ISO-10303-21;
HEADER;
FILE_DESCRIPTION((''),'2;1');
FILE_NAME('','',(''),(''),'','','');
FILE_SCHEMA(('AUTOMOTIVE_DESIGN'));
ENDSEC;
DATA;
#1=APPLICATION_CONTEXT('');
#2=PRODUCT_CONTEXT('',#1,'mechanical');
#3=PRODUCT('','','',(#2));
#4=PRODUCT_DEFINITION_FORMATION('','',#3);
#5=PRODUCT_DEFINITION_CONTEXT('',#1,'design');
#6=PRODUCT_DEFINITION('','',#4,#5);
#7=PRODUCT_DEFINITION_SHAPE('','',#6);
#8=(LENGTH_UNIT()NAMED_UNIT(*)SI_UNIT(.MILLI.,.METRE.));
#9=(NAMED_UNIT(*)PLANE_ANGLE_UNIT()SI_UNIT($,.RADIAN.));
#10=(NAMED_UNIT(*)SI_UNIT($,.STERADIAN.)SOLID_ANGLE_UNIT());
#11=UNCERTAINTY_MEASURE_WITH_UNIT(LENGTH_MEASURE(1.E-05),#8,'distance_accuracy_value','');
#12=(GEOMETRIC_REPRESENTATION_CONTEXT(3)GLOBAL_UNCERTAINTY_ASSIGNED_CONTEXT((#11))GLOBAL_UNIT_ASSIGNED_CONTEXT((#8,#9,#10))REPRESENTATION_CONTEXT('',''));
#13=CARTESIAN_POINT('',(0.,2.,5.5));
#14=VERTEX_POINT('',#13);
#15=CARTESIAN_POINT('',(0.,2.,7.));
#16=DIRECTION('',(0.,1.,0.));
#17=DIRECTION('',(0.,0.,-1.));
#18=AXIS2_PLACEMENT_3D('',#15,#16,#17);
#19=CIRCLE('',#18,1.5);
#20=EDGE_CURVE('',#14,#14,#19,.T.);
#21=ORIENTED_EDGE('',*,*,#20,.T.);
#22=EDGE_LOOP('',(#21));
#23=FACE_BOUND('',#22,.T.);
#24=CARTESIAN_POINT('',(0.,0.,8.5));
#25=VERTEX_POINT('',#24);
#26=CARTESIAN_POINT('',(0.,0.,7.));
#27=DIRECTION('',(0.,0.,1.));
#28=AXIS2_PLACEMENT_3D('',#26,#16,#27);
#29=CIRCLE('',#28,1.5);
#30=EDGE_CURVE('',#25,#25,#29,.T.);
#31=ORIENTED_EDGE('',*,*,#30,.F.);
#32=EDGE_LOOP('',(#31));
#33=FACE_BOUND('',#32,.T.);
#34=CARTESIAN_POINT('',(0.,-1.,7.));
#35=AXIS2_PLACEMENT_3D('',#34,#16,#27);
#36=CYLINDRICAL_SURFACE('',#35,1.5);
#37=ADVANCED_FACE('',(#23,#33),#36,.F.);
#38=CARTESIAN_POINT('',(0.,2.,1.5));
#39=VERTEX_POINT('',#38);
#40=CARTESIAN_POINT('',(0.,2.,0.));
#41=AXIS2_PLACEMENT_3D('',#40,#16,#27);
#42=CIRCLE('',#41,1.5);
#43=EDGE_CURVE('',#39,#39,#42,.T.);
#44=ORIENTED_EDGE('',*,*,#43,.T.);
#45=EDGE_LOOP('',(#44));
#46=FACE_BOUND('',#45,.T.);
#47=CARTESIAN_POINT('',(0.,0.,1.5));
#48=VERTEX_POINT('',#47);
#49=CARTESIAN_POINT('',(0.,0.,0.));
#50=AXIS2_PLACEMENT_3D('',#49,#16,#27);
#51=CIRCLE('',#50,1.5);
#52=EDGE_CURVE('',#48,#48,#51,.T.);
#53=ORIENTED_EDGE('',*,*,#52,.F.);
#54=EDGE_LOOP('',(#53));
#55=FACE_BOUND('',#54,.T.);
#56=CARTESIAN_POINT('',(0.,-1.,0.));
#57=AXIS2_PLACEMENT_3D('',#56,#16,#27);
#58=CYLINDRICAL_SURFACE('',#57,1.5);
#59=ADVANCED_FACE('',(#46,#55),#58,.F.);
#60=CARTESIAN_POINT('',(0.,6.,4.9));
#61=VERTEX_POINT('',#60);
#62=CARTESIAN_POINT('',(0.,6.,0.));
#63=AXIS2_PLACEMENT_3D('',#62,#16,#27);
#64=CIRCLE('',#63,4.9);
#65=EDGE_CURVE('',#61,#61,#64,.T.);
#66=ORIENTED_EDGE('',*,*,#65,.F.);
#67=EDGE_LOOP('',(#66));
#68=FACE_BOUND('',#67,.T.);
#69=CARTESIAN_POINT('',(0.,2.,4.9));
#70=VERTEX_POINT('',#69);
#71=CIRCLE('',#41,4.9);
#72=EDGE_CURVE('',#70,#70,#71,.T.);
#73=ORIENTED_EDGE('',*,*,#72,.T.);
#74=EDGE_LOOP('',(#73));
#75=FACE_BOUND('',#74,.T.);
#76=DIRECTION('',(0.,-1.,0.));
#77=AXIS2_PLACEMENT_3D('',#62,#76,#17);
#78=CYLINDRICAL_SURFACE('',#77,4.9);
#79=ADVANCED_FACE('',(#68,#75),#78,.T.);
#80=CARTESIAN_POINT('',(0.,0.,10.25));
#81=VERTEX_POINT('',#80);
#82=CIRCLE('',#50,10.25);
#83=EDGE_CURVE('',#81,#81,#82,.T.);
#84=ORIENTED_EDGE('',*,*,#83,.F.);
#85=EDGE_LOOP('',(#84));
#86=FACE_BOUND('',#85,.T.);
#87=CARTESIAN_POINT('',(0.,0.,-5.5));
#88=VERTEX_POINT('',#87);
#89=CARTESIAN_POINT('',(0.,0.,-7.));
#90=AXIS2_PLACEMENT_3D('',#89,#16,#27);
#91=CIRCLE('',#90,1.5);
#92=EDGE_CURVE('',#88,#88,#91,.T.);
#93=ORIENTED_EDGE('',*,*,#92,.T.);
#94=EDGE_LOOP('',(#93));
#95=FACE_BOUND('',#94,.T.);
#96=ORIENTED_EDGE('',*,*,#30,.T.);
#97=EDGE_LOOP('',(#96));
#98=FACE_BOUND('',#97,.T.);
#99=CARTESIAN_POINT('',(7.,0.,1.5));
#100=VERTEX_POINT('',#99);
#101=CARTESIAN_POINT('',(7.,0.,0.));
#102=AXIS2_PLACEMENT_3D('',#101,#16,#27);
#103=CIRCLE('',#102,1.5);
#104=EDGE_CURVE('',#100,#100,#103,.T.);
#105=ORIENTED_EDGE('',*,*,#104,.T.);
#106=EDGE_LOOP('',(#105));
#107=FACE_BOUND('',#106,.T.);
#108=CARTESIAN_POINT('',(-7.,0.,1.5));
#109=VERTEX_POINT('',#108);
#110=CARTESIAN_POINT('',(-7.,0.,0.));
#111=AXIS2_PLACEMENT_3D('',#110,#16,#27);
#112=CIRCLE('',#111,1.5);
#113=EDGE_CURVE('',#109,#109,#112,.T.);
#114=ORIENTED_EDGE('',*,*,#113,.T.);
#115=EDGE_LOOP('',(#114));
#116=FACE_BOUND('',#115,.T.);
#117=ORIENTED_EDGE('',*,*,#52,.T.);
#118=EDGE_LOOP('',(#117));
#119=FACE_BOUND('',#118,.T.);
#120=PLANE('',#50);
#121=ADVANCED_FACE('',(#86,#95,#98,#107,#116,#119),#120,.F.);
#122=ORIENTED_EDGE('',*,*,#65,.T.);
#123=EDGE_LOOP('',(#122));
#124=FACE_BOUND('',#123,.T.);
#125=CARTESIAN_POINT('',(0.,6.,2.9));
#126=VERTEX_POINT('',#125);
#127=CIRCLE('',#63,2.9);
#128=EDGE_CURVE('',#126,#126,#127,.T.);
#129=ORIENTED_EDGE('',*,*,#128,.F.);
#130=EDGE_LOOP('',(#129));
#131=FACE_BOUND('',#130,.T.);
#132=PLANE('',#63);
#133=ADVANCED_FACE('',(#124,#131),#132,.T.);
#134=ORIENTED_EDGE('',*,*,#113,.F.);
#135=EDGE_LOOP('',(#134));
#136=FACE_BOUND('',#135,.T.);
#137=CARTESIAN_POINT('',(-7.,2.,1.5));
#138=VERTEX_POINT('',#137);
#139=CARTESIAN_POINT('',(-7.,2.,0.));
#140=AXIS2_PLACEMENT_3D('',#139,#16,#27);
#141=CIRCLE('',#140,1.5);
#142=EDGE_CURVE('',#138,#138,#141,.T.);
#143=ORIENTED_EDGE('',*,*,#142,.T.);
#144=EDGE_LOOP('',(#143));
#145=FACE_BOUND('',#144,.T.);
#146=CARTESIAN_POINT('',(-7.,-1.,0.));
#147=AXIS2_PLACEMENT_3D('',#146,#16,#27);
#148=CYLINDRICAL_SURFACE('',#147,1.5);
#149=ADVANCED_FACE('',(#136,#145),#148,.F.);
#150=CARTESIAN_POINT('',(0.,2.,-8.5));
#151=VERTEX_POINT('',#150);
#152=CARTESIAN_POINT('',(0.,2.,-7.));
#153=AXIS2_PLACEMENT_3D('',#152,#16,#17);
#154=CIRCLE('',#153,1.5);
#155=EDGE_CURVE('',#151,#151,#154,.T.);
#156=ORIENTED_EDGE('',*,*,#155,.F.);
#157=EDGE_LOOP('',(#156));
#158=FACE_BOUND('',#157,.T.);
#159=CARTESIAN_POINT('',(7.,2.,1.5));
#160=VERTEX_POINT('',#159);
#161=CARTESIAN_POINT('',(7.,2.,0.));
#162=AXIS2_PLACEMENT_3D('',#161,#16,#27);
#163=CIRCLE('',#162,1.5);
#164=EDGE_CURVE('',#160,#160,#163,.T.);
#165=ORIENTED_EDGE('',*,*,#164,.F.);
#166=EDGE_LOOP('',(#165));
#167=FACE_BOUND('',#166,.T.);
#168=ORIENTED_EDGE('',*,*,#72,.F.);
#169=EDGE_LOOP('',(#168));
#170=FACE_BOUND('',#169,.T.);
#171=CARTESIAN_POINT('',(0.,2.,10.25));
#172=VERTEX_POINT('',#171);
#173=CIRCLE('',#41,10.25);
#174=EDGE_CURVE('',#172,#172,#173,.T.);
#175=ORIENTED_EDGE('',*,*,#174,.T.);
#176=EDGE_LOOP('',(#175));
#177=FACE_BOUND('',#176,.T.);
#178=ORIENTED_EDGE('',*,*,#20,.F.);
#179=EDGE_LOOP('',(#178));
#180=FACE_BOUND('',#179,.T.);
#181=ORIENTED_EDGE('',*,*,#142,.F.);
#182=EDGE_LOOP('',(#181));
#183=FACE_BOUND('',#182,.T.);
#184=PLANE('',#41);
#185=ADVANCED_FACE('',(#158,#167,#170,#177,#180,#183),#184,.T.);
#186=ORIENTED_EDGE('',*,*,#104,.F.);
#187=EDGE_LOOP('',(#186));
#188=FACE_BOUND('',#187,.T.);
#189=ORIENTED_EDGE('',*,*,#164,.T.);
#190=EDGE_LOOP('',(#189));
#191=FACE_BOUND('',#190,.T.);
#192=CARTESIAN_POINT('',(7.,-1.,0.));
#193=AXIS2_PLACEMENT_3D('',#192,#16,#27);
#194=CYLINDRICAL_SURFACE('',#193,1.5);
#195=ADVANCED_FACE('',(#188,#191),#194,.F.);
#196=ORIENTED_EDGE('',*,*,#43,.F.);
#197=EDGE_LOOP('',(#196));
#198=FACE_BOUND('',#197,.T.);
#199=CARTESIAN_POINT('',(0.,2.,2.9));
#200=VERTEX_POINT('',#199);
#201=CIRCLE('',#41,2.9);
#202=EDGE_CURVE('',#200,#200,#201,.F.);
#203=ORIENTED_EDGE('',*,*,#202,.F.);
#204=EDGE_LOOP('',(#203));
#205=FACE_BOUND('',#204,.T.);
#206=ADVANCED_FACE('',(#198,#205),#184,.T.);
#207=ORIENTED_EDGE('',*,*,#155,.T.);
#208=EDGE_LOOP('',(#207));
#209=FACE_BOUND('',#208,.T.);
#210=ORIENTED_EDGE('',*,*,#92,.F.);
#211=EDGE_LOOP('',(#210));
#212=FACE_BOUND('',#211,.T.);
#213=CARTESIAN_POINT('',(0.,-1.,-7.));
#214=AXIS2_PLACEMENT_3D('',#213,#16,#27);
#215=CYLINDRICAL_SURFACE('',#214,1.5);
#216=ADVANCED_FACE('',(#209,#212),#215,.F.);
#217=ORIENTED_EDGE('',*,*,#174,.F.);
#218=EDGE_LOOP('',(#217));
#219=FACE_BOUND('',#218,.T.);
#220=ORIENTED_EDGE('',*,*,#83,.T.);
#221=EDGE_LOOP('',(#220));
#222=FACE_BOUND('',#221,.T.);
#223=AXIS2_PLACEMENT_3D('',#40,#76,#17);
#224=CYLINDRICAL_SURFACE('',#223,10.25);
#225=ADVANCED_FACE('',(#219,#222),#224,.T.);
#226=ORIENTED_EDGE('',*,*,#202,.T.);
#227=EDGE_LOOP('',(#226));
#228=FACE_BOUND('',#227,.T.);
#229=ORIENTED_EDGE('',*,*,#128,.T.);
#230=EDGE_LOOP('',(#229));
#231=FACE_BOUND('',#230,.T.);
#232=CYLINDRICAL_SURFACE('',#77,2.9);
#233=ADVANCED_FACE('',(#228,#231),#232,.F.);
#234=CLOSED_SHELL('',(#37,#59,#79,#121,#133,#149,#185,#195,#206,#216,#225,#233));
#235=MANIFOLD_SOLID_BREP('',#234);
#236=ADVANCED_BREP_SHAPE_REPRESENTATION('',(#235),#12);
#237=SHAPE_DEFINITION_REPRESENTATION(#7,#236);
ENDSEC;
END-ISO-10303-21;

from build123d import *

# Parameters (mm, degrees)
SKETCH1_R           = 10.25
BOSS_EXTRUDE1_DEPTH = 2
SKETCH2_R           = 1.5
CUT_EXTRUDE1_DEPTH  = 3
SKETCH3_R           = 4.9
SKETCH3_R_2         = 2.9
BOSS_EXTRUDE2_DEPTH = 4


with BuildPart() as part:
    # Sketch1 → Boss-Extrude1 (new body)
    with BuildSketch(Plane(origin=(0, 0, 0), x_dir=(1, 0, 0), z_dir=(0, 1, 0))):
        with Locations(Location((0, 0, 0), (0, 0, 270))):
            Circle(SKETCH1_R)
    extrude(amount=BOSS_EXTRUDE1_DEPTH)

    # Sketch2 → Cut-Extrude1 (cut)
    with BuildSketch(Plane(origin=(0, 2, 0), x_dir=(1, 0, 0), z_dir=(0, 1, 0))):
        with Locations(Location((7, 0, 0), (0, 0, 270))):
            Circle(SKETCH2_R)
        with Locations(Location((0, 0, 0), (0, 0, 270))):
            Circle(SKETCH2_R)
        with Locations(Location((0, 7, 0), (0, 0, 270))):
            Circle(SKETCH2_R)
        with Locations(Location((-7, 0, 0), (0, 0, 270))):
            Circle(SKETCH2_R)
        with Locations(Location((0, -7, 0), (0, 0, 270))):
            Circle(SKETCH2_R)
    extrude(amount=-CUT_EXTRUDE1_DEPTH, mode=Mode.SUBTRACT)

    # Sketch3 → Boss-Extrude2 (add)
    with BuildSketch(Plane(origin=(0, 2, 0), x_dir=(1, 0, 0), z_dir=(0, 1, 0))):
        with Locations(Location((0, 0, 0), (0, 0, 270))):
            Circle(SKETCH3_R)
        with Locations(Location((0, 0, 0), (0, 0, 270))):
            Circle(SKETCH3_R_2, mode=Mode.SUBTRACT)
    extrude(amount=BOSS_EXTRUDE2_DEPTH)


solid = part.part
